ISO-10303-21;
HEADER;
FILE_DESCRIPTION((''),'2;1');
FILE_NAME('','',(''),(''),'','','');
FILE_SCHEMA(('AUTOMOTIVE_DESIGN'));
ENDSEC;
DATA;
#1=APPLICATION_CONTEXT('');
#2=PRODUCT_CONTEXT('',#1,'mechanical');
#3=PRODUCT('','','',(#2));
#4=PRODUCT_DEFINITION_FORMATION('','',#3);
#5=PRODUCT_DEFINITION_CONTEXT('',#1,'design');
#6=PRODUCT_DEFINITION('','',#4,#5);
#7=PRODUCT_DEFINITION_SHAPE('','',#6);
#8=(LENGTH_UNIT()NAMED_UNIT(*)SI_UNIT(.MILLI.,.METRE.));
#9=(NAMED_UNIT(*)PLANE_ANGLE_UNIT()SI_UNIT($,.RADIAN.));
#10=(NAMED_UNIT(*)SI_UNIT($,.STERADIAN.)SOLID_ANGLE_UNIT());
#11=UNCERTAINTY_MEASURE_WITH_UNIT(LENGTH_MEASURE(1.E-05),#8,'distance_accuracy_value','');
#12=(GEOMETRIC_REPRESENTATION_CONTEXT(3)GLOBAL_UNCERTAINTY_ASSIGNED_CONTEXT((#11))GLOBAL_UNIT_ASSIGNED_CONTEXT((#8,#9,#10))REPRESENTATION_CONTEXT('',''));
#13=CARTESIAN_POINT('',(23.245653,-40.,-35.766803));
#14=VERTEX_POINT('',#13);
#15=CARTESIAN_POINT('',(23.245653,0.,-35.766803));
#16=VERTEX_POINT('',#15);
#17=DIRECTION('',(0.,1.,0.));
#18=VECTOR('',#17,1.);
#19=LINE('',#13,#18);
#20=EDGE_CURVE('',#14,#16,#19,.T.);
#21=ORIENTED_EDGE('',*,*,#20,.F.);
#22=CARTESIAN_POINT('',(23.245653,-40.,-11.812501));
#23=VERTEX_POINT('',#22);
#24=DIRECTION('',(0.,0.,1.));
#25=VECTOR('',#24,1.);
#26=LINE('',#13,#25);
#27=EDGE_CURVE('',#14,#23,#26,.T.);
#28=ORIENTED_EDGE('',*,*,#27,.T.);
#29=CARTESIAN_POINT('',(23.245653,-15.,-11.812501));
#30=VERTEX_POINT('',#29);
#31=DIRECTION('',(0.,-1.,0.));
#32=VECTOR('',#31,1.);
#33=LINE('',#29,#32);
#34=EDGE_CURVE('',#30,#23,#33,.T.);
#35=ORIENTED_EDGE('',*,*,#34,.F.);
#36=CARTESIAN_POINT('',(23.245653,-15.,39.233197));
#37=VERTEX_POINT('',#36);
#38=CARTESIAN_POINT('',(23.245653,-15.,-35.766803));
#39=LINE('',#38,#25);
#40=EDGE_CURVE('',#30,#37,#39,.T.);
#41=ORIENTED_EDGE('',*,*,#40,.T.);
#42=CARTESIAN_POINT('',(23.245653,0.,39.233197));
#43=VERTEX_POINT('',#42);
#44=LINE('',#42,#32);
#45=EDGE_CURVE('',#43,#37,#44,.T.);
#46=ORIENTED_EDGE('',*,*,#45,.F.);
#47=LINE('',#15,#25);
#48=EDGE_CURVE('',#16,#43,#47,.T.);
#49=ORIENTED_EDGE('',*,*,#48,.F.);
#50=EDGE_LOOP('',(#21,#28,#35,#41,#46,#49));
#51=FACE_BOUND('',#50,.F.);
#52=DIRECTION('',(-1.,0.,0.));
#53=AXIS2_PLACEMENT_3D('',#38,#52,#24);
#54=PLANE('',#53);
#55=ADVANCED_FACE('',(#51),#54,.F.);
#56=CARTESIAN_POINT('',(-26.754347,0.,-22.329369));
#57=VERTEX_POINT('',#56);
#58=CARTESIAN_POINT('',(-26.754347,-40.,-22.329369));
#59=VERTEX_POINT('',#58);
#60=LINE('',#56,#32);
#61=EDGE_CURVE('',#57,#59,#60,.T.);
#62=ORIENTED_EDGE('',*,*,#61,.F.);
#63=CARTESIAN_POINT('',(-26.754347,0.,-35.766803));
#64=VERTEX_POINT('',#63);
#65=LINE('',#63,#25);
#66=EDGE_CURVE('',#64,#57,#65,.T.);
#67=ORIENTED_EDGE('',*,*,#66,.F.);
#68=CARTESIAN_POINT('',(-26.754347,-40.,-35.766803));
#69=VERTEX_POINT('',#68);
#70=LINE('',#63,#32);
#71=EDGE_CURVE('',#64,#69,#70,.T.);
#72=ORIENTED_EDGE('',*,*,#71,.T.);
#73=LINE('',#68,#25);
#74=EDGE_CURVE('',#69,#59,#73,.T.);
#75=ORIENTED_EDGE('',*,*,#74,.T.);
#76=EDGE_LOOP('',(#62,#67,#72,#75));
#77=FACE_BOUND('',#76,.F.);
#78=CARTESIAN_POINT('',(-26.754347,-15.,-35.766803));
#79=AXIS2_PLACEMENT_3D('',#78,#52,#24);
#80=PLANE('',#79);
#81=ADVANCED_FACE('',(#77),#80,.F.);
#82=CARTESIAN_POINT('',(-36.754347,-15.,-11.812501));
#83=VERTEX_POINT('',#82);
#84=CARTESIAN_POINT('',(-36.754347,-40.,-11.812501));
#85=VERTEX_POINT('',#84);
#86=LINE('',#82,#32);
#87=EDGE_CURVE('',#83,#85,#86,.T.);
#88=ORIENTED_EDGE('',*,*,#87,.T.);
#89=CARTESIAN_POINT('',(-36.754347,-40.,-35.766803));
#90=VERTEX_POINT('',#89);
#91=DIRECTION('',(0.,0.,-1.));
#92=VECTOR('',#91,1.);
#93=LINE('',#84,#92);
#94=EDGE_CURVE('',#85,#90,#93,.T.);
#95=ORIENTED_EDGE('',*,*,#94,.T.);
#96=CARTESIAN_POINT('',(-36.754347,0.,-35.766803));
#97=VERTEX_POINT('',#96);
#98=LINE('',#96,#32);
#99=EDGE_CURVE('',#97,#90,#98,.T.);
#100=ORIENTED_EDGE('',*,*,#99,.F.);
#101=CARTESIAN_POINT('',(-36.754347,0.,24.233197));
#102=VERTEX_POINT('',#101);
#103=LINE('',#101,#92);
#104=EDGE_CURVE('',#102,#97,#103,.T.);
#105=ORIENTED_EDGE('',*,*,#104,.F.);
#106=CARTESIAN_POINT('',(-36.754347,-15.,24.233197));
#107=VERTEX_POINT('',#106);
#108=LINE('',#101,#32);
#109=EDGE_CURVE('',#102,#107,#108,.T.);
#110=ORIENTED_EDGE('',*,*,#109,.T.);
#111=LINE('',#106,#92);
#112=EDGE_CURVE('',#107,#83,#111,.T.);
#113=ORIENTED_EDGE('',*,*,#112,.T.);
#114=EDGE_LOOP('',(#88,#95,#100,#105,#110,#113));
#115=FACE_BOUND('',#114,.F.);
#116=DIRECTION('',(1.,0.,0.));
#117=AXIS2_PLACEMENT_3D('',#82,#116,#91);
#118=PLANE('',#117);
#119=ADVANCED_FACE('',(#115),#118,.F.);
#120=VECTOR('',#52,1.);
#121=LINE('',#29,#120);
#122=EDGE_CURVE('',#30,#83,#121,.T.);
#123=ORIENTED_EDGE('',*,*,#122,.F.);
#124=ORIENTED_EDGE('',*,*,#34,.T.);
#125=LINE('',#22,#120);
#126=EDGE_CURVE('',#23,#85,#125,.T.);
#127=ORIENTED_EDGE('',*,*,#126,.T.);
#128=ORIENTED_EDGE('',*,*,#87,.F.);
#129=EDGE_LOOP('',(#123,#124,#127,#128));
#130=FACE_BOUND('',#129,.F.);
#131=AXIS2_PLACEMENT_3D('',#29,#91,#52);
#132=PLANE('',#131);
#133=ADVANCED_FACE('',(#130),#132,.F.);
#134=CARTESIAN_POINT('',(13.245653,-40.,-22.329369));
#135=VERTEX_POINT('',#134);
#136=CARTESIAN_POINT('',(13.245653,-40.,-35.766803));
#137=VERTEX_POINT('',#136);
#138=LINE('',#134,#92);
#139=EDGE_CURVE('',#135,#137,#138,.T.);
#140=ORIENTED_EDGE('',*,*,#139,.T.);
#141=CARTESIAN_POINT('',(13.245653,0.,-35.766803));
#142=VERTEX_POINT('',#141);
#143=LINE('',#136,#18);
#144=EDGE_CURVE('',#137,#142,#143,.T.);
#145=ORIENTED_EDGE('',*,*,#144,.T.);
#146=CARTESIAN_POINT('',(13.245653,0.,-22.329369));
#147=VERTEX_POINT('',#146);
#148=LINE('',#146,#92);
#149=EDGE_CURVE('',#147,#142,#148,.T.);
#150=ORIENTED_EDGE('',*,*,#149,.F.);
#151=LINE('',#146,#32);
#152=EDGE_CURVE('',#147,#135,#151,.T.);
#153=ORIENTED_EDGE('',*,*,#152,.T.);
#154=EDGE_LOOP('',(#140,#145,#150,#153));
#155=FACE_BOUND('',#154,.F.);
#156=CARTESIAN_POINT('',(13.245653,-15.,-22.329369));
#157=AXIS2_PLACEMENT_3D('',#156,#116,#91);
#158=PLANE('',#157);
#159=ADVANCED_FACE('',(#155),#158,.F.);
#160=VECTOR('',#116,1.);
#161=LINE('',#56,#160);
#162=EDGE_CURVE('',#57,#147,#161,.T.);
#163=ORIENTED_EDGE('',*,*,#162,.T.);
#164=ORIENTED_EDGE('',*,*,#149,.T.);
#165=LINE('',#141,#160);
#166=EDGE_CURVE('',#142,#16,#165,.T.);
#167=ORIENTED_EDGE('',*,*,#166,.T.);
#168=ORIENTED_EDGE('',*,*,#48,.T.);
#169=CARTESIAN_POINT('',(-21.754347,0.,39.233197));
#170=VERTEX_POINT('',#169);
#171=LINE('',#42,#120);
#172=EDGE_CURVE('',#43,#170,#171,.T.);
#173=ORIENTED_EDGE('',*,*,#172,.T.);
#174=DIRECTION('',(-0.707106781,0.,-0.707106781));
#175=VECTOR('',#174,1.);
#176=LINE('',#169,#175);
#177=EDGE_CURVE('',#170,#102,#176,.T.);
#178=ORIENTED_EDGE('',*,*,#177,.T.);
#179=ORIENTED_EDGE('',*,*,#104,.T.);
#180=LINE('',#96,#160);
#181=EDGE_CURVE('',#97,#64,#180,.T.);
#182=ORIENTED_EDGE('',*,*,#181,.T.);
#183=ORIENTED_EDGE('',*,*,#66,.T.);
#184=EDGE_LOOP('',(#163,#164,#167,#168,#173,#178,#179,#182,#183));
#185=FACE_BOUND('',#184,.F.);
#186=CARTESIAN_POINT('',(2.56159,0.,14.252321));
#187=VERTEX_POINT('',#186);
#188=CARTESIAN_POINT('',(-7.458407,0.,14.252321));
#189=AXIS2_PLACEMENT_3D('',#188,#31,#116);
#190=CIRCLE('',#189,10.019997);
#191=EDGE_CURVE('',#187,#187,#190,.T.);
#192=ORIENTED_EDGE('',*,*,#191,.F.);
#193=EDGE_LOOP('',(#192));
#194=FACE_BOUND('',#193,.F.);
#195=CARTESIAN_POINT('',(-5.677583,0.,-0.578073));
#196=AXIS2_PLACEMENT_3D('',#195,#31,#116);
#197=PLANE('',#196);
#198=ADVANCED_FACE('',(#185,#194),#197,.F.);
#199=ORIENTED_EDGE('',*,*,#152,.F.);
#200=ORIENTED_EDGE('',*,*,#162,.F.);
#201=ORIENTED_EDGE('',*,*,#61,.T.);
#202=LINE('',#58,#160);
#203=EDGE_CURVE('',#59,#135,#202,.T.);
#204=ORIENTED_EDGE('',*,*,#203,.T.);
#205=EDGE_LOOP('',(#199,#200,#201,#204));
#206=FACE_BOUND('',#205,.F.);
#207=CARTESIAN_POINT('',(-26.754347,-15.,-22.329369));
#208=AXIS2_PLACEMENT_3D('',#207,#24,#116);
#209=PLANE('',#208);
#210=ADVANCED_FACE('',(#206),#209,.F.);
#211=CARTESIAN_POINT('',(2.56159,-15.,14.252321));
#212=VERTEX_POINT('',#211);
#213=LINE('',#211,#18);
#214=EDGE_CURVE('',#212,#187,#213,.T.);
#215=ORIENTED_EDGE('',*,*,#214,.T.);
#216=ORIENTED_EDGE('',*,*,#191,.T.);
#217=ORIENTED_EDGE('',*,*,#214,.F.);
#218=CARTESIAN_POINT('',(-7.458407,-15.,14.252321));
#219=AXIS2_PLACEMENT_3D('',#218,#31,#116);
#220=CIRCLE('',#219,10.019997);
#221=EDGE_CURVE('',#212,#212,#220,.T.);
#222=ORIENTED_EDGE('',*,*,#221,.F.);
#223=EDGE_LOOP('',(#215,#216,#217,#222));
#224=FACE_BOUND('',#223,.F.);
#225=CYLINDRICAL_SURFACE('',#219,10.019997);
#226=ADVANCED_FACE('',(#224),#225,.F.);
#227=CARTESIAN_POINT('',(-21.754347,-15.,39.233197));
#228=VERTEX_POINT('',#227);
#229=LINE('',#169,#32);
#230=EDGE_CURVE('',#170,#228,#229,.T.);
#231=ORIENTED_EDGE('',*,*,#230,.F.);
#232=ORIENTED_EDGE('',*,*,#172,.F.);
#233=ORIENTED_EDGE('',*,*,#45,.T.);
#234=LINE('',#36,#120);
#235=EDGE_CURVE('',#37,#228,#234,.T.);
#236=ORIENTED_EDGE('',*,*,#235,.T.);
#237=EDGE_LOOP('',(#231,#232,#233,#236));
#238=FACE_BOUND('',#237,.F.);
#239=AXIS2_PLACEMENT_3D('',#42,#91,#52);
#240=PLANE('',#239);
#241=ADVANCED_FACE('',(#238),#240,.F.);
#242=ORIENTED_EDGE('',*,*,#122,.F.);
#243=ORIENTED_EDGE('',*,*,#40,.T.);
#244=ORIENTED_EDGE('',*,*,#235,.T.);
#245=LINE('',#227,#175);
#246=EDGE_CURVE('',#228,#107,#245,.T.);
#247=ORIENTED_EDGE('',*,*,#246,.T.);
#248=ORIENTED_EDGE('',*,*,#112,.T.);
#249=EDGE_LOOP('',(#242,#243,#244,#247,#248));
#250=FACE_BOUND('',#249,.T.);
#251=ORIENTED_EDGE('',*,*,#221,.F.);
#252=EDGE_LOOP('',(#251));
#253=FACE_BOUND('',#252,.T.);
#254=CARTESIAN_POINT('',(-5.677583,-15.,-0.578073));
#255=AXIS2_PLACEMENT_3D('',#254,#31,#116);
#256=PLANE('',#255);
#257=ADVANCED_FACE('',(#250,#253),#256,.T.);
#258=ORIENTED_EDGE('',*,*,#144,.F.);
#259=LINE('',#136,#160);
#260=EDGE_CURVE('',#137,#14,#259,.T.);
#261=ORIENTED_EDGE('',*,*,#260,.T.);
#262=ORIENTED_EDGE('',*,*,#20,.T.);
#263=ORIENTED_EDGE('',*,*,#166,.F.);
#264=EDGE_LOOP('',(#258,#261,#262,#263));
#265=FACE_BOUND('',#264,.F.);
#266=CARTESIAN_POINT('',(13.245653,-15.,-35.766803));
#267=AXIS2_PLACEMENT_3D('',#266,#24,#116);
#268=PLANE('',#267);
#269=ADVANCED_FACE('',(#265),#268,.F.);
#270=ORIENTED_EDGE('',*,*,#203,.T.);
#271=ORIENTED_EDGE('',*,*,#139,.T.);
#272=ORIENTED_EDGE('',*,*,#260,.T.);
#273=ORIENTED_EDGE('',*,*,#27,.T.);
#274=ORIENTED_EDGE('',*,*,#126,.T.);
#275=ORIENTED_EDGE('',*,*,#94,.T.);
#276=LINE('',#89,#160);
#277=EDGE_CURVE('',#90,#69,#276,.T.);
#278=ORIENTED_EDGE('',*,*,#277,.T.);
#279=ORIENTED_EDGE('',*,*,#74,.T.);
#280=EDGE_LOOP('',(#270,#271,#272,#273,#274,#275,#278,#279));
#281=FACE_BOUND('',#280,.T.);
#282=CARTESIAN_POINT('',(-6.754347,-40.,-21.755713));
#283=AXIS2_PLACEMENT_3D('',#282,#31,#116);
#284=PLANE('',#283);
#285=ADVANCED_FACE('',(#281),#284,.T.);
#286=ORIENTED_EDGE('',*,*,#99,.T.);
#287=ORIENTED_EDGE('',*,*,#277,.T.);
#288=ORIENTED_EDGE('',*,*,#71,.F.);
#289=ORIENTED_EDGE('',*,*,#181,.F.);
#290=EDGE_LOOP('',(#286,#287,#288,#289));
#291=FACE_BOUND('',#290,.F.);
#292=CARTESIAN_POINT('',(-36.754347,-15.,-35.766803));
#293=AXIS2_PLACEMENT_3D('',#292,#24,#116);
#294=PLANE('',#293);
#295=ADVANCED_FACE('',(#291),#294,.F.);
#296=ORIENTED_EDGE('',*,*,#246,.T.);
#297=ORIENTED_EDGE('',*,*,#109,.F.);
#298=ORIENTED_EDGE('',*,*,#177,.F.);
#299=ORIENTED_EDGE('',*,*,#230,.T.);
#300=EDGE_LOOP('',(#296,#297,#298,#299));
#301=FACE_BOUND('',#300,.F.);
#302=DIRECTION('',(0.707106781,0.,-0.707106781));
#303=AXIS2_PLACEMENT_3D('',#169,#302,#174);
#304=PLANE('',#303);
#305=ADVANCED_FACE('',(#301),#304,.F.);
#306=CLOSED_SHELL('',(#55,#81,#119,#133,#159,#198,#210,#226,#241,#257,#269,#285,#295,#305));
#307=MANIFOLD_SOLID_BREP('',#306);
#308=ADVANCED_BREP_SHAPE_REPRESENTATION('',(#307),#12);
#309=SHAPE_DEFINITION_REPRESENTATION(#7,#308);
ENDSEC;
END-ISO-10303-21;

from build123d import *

# Parameters (mm, degrees)
F1_DEPTH = 15
F3_DEPTH = 25
F4_R     = 10.019997
F5_DEPTH = 25


with BuildPart() as f1:
    # F0 (on Front) → F1 (new body)
    with BuildSketch(Plane.XZ):
        Polygon((-21.754347, 39.233197), (-36.754347, 24.233197), (-36.754347, -35.766803), (-26.754347, -35.766803), (-26.754347, -22.329369), (13.245653, -22.329369), (13.245653, -35.766803), (23.245653, -35.766803), (23.245653, 39.233197), align=None)
    extrude(amount=F1_DEPTH)

    # F2 (on face) → F3 (join)
    with BuildSketch(Plane.XZ.offset(15)):
        Polygon((23.245653, -11.812501), (-36.754347, -11.812501), (-36.754347, -35.766803), (-26.754347, -35.766803), (-26.754347, -22.329369), (13.245653, -22.329369), (13.245653, -35.766803), (23.245653, -35.766803), align=None)
    extrude(amount=F3_DEPTH)

    # F4 (on face) → F5 (cut)
    with BuildSketch(Plane.XZ.offset(15)):
        with Locations((-7.458407, 14.252321)):
            Circle(F4_R)
    extrude(amount=-F5_DEPTH, mode=Mode.SUBTRACT)


solid = f1.part
